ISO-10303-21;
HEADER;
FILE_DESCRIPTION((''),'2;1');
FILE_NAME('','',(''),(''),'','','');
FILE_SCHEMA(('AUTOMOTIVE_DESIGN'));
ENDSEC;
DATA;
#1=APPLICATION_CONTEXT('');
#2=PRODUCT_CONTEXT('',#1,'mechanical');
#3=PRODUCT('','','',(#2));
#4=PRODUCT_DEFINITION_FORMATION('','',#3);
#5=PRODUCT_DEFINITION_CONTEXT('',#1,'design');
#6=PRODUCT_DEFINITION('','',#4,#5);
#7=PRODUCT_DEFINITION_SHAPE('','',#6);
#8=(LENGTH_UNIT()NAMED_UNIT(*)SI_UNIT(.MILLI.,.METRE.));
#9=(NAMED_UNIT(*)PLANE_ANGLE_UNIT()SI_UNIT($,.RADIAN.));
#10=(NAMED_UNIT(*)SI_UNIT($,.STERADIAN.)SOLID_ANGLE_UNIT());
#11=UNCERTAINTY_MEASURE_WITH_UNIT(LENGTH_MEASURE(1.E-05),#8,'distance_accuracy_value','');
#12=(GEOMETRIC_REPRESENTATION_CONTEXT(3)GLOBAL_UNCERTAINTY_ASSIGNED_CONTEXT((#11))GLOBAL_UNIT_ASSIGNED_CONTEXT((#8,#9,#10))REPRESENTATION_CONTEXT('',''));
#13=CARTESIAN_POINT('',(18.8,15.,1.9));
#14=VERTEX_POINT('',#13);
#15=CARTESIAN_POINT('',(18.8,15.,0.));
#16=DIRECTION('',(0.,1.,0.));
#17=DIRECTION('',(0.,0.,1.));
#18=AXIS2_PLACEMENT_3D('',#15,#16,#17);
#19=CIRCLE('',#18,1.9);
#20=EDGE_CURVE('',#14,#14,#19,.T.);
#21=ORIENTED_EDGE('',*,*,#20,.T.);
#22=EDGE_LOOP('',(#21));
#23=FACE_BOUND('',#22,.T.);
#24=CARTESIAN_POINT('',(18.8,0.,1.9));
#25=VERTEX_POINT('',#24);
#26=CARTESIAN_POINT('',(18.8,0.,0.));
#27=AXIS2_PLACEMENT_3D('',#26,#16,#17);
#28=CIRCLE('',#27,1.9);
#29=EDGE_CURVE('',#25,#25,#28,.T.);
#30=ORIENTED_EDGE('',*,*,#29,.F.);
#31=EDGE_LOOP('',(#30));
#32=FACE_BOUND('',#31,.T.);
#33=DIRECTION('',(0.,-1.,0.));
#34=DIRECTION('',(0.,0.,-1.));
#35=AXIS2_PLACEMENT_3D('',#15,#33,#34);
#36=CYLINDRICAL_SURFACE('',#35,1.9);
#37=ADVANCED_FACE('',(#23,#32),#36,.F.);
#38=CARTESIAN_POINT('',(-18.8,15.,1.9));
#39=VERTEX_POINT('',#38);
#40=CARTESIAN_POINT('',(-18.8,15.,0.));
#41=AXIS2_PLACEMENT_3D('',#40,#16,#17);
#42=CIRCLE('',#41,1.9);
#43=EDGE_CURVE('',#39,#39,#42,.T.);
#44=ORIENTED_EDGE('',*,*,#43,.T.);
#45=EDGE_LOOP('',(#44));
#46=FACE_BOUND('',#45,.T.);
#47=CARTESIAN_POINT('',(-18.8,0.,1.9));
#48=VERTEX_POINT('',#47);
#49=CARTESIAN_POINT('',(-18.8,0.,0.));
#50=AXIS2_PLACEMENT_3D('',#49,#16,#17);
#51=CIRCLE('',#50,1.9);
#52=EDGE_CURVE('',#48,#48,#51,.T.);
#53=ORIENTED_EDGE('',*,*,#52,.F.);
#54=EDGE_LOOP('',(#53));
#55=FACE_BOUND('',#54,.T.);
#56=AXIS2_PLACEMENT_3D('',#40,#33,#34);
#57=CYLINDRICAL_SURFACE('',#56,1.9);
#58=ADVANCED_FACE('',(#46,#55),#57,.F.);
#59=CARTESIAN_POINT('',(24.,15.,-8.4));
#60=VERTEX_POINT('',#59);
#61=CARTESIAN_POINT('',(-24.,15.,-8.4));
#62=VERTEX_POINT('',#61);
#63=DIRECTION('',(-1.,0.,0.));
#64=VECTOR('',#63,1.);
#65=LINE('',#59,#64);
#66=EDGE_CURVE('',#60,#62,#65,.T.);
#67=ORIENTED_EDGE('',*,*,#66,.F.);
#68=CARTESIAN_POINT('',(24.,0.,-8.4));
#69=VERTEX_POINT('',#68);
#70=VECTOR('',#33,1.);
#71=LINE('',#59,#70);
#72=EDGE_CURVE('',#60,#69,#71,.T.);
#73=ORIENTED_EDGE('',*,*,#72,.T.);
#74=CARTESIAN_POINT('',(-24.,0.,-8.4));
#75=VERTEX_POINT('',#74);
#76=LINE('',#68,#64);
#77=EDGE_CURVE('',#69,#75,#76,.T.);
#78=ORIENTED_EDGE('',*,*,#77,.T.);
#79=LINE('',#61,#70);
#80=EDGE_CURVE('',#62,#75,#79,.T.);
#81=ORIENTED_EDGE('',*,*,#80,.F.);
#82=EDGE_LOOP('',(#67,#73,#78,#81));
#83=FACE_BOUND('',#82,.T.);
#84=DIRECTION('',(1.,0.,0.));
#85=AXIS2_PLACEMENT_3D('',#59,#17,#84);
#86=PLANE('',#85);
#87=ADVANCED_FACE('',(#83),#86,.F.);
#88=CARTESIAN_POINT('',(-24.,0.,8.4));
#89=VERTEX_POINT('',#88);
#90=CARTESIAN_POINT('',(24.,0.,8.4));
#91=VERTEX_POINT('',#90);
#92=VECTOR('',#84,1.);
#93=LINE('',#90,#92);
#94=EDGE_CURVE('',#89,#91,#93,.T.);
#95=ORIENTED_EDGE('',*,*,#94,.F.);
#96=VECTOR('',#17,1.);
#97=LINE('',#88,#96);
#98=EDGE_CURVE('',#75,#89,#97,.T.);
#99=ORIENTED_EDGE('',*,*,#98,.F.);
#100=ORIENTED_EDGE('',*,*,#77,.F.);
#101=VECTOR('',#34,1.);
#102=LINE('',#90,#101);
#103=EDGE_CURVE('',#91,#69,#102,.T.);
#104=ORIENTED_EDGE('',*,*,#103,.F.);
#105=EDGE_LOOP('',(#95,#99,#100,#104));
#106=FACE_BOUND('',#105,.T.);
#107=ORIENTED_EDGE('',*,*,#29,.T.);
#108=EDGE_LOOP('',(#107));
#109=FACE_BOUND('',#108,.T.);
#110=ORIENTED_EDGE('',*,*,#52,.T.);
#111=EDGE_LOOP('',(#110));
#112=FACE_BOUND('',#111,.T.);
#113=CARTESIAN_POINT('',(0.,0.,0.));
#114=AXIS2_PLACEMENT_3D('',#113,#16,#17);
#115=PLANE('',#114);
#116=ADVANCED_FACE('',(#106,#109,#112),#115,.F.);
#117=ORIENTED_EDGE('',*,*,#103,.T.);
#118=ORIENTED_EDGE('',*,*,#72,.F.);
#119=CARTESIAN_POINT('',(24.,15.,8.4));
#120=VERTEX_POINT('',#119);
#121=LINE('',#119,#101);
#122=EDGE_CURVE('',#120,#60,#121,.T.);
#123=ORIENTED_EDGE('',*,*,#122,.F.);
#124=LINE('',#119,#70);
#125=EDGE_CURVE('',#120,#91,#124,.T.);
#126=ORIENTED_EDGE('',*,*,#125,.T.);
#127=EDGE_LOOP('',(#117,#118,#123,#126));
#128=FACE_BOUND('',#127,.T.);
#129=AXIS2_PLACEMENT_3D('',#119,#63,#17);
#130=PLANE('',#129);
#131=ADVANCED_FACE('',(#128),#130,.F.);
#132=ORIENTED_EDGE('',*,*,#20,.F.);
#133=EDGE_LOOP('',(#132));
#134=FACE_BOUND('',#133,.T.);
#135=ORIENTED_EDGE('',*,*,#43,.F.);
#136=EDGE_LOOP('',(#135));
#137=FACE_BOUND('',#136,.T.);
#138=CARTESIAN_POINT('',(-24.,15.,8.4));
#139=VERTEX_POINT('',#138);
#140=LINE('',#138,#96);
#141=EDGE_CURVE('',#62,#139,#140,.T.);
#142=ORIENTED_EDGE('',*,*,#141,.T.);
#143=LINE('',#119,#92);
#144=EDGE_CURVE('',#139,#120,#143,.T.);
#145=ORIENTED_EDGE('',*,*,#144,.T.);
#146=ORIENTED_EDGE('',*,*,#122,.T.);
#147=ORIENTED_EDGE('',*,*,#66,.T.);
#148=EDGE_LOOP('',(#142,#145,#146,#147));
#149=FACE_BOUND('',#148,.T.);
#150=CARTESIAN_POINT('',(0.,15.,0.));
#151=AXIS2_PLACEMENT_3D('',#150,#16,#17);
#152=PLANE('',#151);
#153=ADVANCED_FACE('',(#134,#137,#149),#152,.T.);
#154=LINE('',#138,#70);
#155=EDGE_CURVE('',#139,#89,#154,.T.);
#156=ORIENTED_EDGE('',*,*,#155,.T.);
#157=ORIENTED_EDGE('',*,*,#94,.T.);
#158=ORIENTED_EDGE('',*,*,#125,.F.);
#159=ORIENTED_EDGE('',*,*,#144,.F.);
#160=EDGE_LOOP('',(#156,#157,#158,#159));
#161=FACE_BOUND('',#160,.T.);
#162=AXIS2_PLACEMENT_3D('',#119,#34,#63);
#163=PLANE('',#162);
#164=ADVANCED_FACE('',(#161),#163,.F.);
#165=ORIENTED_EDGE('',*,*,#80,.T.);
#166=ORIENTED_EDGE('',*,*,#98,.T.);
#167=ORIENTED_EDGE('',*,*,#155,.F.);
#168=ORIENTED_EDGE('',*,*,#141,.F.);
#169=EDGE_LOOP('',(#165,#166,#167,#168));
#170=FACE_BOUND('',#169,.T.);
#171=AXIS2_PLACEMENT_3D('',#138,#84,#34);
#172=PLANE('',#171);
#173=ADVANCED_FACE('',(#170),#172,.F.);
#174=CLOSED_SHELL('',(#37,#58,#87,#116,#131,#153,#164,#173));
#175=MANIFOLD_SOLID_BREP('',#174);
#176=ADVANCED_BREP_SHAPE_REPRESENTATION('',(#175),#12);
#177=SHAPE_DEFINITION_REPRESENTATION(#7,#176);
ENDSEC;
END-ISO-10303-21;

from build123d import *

# Parameters (mm, degrees)
CROQUIS1_W              = 48
CROQUIS1_H              = 16.8
CROQUIS1_R              = 1.9
SALIENTE_EXTRUIR1_DEPTH = 15


with BuildPart() as part:
    # Croquis1 → Saliente-Extruir1 (new body)
    with BuildSketch(Plane(origin=(0, 0, 0), x_dir=(1, 0, 0), z_dir=(0, 1, 0))):
        Rectangle(CROQUIS1_W, CROQUIS1_H)
        with Locations(Location((-18.8, 0, 0), (0, 0, 270))):
            Circle(CROQUIS1_R, mode=Mode.SUBTRACT)
        with Locations(Location((18.8, 0, 0), (0, 0, 270))):
            Circle(CROQUIS1_R, mode=Mode.SUBTRACT)
    extrude(amount=SALIENTE_EXTRUIR1_DEPTH)


solid = part.part
